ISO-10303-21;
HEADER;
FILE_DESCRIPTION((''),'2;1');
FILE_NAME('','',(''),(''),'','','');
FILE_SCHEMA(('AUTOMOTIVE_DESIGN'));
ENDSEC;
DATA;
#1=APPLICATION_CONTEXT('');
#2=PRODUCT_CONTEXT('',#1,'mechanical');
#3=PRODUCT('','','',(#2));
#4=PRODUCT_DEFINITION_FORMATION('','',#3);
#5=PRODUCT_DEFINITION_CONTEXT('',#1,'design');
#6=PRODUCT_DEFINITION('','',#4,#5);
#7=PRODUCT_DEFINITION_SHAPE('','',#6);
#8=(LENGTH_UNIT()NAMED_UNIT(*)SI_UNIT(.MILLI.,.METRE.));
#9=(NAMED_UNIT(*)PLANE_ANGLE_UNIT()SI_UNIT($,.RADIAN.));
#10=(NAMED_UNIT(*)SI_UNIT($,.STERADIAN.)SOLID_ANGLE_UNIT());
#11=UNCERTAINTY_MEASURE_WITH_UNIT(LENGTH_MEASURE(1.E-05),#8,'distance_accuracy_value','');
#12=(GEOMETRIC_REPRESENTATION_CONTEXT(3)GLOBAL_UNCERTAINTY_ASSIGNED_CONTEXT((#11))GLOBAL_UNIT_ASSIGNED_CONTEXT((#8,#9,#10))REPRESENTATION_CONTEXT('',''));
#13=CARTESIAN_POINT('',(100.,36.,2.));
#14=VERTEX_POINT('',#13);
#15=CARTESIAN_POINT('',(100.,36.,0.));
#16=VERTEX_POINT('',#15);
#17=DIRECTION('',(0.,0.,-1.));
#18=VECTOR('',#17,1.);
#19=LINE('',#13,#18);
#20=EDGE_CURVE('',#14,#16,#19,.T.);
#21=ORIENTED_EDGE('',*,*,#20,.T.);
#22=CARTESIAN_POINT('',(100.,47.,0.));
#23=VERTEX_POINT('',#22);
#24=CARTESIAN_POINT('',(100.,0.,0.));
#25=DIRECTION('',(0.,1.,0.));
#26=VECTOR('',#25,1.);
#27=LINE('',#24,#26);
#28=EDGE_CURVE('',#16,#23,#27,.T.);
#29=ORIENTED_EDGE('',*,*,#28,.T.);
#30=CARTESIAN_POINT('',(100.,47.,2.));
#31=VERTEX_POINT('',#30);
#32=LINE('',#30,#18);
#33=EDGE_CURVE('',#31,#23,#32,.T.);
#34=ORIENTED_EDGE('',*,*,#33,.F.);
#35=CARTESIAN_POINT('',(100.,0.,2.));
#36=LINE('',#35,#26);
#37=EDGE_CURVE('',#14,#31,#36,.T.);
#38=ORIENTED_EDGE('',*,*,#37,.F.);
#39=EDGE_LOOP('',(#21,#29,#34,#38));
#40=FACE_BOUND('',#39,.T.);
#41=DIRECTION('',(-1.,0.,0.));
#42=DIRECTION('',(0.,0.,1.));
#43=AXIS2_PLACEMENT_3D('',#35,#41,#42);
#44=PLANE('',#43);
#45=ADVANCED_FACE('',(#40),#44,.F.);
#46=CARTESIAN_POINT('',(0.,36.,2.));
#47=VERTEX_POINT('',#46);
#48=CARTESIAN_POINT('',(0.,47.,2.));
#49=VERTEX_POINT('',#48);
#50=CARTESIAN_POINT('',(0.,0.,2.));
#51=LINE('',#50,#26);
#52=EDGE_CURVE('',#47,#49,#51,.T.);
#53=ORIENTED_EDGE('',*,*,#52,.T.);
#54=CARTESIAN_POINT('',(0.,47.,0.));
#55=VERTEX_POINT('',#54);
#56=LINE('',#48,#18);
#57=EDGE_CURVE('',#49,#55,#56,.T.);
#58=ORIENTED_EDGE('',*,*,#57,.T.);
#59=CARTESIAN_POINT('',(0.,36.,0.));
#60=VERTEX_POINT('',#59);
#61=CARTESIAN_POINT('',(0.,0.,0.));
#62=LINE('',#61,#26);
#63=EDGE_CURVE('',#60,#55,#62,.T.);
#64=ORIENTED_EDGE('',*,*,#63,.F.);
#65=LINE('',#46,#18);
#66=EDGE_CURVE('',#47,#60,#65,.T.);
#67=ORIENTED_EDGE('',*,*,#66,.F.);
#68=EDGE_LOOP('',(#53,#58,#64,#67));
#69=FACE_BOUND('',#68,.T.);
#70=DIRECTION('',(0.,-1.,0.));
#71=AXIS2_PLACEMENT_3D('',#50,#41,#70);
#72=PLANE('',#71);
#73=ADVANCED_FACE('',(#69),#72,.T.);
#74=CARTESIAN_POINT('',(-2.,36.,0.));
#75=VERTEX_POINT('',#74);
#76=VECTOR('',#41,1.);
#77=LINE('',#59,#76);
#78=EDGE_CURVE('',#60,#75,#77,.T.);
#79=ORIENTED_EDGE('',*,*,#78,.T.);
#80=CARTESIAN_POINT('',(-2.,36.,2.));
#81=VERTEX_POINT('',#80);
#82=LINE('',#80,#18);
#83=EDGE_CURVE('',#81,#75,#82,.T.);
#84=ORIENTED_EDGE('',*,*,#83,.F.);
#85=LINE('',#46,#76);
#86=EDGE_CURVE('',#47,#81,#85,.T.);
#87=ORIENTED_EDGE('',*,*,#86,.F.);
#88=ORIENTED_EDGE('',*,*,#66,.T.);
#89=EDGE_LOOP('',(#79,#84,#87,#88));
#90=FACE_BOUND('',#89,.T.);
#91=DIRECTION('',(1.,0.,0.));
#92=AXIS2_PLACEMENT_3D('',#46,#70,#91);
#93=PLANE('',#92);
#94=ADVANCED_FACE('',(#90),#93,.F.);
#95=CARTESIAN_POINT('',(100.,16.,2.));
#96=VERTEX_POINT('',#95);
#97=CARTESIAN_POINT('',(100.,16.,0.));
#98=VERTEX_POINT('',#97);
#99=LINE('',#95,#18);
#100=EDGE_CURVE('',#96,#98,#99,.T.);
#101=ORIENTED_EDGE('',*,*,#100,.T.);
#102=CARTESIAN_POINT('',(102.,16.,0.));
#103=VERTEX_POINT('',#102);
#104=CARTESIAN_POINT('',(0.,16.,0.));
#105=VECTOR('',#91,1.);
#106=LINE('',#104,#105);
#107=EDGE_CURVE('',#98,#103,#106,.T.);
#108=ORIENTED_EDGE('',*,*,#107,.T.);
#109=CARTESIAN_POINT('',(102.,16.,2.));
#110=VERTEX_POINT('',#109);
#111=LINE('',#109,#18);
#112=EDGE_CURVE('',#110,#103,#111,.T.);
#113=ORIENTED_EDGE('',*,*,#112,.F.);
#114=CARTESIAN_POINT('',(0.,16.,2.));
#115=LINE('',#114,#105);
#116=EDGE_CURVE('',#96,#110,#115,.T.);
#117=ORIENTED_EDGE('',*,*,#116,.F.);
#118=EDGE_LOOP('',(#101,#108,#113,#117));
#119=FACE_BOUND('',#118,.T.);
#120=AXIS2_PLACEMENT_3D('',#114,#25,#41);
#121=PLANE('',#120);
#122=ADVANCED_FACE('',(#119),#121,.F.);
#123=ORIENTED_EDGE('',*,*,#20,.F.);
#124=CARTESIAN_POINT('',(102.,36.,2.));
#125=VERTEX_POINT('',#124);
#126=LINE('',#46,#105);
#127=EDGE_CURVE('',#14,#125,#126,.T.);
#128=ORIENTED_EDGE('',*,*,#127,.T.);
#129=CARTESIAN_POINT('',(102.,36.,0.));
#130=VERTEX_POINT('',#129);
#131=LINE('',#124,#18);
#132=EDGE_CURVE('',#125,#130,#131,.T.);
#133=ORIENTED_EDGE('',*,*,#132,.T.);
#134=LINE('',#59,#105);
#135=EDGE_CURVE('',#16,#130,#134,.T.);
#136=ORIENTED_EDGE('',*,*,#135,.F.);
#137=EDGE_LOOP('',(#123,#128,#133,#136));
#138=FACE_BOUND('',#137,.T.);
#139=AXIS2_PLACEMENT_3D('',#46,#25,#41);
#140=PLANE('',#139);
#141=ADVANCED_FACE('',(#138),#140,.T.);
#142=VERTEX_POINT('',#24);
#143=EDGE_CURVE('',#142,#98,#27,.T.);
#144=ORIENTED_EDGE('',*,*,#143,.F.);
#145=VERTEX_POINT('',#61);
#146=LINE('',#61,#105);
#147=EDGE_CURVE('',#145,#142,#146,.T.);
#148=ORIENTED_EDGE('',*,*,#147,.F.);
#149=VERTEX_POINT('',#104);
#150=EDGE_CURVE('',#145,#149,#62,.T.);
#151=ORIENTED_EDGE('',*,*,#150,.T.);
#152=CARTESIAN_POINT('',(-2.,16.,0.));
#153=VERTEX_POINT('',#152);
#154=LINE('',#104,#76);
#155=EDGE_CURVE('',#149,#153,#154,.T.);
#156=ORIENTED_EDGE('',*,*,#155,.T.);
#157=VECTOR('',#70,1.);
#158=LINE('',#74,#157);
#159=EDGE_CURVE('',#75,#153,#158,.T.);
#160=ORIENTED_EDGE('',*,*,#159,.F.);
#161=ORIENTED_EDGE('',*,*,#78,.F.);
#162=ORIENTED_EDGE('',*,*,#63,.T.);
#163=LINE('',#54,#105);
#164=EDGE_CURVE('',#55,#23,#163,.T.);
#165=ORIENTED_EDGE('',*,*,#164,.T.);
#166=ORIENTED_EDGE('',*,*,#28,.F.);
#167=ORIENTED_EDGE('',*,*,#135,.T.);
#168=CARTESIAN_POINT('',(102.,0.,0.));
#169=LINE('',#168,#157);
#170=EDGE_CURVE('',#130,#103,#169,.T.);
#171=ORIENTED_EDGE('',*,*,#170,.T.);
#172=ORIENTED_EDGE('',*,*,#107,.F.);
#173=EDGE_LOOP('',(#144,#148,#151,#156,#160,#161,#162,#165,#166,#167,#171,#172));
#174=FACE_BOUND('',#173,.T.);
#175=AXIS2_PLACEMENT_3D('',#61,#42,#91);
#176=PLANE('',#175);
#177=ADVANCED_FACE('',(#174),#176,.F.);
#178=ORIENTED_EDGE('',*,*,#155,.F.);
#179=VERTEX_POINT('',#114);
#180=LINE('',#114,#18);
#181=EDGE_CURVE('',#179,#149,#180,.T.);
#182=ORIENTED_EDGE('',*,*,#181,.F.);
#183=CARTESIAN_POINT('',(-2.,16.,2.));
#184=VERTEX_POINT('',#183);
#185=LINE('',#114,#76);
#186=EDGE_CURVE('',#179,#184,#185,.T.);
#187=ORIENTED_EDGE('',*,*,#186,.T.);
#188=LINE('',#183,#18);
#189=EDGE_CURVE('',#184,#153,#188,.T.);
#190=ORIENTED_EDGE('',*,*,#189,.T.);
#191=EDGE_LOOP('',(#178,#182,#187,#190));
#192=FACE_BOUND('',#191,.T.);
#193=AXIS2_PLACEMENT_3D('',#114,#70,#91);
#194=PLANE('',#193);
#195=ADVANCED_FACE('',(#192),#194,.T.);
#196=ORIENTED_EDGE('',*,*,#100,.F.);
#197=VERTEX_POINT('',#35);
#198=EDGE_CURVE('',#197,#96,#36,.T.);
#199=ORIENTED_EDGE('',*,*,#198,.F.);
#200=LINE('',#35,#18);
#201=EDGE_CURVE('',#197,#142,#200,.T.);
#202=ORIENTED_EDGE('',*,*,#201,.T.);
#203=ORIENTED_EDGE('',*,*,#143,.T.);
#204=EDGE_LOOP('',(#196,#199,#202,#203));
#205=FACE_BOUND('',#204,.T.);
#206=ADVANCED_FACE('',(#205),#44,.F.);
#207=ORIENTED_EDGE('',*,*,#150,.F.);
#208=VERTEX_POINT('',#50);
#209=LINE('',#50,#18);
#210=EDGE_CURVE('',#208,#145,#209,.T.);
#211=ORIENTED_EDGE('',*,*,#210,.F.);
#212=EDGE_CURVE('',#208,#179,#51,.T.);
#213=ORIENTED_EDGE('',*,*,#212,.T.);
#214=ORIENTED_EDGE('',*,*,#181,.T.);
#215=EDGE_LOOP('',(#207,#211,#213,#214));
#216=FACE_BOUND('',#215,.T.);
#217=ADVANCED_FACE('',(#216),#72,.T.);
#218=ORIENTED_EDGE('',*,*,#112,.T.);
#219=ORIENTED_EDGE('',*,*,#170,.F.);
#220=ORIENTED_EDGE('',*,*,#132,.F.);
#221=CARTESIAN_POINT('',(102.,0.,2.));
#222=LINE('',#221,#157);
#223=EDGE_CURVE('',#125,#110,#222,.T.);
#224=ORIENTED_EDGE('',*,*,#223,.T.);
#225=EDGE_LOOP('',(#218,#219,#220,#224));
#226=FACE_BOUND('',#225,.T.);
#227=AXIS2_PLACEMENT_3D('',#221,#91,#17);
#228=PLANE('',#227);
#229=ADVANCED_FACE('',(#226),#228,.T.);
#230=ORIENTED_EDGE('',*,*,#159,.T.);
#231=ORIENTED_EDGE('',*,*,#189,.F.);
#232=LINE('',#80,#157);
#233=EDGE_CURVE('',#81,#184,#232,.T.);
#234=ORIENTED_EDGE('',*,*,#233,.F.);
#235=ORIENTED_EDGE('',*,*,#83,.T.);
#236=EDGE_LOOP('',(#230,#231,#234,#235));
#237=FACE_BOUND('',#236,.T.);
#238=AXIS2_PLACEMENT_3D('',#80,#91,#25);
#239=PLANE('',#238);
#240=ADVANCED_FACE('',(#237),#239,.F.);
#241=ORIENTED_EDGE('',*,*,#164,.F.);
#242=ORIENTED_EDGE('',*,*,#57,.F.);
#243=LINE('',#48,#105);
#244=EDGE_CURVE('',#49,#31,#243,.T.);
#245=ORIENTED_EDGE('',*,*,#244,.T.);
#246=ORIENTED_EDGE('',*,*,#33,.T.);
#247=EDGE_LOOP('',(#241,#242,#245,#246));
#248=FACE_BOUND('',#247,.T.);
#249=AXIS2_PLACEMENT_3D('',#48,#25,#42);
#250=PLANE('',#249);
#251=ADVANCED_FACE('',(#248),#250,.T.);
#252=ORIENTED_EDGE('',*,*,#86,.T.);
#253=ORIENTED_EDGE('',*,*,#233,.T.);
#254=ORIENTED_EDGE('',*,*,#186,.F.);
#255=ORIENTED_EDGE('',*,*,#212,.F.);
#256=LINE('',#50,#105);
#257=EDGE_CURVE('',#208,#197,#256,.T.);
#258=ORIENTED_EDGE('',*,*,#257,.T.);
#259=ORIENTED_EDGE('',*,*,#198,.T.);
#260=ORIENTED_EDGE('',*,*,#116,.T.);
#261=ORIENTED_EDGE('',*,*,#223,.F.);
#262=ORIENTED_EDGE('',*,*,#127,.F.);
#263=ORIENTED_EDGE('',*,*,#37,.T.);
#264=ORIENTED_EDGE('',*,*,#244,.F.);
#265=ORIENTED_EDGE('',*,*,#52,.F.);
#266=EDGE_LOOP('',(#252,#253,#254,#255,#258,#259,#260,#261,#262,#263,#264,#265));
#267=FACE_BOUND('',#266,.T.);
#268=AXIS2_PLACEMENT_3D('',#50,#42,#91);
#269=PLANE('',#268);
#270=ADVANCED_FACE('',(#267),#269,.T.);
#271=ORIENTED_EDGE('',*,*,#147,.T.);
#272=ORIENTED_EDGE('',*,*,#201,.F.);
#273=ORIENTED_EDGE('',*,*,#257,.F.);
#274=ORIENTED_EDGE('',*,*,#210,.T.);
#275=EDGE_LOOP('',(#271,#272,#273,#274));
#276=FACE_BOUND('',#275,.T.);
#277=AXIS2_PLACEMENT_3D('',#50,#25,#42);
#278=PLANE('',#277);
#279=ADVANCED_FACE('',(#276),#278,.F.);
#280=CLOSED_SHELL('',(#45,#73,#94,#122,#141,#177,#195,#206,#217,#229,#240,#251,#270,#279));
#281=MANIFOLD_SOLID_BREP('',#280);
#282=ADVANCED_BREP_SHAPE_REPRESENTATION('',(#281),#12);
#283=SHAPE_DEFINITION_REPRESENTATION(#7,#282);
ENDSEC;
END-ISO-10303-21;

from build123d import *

# Parameters (mm, degrees)
SKETCH_1_W      = 2
SKETCH_1_H      = 20
SKETCH_1_W_2    = 100
SKETCH_1_H_2    = 47
EXTRUDE_1_DEPTH = 2


with BuildPart() as part:
    # Эскиз1 → Бобышка-Вытянуть1 (new body)
    with BuildSketch(Plane.XY):
        with Locations((101, 26)):
            Rectangle(SKETCH_1_W, SKETCH_1_H)
        with Locations((50, 23.5)):
            Rectangle(SKETCH_1_W_2, SKETCH_1_H_2)
        with Locations((-1, 26)):
            Rectangle(SKETCH_1_W, SKETCH_1_H)
    extrude(amount=EXTRUDE_1_DEPTH)


solid = part.part
